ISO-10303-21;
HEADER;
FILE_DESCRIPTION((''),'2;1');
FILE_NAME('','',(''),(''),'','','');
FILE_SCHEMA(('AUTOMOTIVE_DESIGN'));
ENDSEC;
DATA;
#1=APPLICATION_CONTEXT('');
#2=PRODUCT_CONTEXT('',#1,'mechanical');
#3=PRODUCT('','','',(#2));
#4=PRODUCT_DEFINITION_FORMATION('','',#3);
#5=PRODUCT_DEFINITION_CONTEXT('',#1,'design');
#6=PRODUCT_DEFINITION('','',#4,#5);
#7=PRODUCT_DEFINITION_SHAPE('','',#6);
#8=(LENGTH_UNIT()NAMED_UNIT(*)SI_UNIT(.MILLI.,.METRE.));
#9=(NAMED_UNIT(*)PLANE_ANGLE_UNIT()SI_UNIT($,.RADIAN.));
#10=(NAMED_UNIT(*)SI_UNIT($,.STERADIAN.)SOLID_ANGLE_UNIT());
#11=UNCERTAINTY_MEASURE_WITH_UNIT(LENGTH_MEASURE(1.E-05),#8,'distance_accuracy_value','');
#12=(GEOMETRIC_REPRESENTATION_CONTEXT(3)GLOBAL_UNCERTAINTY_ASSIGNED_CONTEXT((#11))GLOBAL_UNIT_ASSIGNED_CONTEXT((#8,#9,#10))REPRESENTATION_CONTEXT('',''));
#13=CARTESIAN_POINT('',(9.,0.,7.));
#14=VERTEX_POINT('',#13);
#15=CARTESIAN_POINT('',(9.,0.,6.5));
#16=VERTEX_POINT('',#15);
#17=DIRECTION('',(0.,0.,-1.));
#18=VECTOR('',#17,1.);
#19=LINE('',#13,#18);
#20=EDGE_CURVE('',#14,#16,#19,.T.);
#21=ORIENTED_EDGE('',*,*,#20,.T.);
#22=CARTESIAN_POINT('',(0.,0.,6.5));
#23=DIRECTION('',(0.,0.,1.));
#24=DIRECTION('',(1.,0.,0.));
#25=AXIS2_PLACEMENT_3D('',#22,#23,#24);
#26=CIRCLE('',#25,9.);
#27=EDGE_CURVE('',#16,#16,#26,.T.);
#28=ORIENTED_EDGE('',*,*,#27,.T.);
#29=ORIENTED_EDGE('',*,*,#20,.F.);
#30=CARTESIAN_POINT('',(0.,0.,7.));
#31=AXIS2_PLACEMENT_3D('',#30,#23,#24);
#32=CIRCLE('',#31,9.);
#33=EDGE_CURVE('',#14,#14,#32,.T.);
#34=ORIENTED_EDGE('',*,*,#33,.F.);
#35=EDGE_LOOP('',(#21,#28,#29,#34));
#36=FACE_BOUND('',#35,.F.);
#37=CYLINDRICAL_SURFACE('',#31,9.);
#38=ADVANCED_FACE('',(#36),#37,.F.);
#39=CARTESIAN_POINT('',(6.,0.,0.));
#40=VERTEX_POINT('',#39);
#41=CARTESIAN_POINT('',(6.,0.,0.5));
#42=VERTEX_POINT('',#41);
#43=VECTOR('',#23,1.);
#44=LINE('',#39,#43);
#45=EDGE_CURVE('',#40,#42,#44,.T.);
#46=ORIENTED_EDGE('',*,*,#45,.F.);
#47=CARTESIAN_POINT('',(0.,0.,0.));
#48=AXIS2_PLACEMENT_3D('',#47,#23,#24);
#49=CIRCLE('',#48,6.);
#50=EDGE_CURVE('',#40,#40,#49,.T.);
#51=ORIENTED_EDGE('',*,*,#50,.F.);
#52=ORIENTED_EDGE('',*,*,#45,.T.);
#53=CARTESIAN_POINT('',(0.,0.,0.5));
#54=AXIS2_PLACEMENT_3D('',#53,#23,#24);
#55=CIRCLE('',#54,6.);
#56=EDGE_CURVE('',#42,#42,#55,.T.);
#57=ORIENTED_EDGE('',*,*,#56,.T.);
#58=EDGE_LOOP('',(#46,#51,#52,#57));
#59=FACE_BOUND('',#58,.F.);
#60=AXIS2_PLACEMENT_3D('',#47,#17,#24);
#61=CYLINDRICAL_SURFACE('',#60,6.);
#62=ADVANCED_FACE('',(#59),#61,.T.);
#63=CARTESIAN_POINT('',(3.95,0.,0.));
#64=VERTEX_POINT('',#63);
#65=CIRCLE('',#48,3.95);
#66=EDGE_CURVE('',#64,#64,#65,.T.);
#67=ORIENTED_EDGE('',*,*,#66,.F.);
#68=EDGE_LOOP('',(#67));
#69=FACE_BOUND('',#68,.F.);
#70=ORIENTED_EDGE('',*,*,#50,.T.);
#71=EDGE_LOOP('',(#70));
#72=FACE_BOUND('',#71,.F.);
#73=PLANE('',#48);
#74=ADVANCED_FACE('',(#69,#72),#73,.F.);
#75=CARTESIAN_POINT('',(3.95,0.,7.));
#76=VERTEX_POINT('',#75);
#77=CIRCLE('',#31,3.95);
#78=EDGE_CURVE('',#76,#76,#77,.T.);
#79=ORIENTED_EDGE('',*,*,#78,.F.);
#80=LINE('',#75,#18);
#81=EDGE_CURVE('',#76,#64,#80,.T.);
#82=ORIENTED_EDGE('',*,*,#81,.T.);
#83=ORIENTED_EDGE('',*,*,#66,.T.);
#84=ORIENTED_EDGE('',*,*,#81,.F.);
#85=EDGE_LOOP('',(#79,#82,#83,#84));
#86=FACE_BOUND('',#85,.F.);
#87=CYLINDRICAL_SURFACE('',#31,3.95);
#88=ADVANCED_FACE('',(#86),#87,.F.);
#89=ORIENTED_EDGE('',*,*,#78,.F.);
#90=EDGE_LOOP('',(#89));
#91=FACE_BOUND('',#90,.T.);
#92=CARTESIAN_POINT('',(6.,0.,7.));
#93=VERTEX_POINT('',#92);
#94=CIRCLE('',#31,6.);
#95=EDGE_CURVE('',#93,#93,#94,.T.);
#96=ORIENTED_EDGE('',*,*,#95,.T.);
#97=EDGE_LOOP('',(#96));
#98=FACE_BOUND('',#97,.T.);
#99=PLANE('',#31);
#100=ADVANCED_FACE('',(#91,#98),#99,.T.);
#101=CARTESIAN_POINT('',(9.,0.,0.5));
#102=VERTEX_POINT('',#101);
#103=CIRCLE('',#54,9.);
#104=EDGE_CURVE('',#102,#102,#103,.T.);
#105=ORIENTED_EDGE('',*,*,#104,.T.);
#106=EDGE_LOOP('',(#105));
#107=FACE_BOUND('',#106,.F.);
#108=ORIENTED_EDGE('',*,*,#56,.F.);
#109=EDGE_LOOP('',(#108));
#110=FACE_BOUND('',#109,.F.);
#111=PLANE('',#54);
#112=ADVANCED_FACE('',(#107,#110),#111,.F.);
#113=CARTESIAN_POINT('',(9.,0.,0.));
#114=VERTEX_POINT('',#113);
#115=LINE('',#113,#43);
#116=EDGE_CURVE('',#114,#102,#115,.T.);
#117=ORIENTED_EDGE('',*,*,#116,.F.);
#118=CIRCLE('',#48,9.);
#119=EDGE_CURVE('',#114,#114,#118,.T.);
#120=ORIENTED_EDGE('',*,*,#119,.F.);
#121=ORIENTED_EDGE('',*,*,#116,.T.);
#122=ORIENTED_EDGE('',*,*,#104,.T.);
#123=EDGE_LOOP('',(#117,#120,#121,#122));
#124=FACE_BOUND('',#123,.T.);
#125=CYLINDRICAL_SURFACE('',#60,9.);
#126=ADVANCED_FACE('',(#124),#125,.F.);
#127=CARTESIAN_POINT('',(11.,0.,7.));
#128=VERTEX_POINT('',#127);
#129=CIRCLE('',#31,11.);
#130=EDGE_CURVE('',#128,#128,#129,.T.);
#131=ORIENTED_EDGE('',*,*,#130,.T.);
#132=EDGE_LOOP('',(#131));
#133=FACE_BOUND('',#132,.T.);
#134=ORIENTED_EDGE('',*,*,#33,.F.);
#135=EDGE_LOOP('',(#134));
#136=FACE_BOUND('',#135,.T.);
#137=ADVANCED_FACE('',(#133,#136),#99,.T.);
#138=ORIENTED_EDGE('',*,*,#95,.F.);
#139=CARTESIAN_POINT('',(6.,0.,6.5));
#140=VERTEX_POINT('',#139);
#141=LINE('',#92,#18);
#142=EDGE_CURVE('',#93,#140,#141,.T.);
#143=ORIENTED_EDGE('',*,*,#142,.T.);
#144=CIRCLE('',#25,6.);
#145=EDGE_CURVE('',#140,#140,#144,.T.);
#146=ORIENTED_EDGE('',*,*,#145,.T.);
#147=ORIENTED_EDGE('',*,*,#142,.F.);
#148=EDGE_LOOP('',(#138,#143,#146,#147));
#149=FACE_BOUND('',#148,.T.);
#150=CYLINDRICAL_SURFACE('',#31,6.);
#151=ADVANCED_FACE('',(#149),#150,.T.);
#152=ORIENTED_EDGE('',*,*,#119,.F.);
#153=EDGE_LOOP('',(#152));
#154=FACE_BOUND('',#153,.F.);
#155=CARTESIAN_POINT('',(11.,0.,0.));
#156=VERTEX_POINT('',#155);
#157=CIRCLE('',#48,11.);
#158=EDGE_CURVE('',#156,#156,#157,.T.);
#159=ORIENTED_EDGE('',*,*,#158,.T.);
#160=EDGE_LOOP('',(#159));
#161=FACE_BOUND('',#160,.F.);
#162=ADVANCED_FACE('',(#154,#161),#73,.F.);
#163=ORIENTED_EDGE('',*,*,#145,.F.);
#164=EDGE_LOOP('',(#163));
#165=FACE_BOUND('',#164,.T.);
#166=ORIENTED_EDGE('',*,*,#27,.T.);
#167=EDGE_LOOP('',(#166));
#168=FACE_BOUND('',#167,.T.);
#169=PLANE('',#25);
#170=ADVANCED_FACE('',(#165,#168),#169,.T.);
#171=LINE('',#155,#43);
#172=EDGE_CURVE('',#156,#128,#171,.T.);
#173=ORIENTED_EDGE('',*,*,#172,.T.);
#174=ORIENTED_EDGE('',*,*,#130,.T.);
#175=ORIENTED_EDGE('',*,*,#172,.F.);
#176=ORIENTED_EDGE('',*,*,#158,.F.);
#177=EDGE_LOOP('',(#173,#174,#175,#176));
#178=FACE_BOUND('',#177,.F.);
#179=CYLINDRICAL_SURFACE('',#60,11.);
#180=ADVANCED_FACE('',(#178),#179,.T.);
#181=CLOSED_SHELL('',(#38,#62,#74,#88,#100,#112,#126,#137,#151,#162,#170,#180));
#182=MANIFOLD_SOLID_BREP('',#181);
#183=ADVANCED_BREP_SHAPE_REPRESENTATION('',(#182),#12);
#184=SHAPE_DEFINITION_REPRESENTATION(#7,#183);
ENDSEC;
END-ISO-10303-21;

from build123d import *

# Parameters (mm, degrees)
F0_R     = 11
F1_DEPTH = 7
F2_R     = 9
F2_R_2   = 6
F3_DEPTH = 0.5
F4_R     = 3.95
F5_DEPTH = 7.001
F6_R     = 9
F6_R_2   = 6
F7_DEPTH = 0.5


with BuildPart() as f1:
    # F0 (on Top) → F1 (new body)
    with BuildSketch(Plane.XY):
        Circle(F0_R)
    extrude(amount=F1_DEPTH)

    # F2 (on face) → F3 (cut)
    with BuildSketch(Plane.XY.offset(7)):
        Circle(F2_R)
        Circle(F2_R_2, mode=Mode.SUBTRACT)
    extrude(amount=-F3_DEPTH, mode=Mode.SUBTRACT)

    # F4 (on face) → F5 (cut, through all)
    with BuildSketch(Plane.XY.offset(7)):
        Circle(F4_R)
    extrude(amount=-F5_DEPTH, mode=Mode.SUBTRACT)

    # F6 (on face) → F7 (cut)
    with BuildSketch(Plane.XY):
        Circle(F6_R)
        Circle(F6_R_2, mode=Mode.SUBTRACT)
    extrude(amount=F7_DEPTH, mode=Mode.SUBTRACT)


solid = f1.part
